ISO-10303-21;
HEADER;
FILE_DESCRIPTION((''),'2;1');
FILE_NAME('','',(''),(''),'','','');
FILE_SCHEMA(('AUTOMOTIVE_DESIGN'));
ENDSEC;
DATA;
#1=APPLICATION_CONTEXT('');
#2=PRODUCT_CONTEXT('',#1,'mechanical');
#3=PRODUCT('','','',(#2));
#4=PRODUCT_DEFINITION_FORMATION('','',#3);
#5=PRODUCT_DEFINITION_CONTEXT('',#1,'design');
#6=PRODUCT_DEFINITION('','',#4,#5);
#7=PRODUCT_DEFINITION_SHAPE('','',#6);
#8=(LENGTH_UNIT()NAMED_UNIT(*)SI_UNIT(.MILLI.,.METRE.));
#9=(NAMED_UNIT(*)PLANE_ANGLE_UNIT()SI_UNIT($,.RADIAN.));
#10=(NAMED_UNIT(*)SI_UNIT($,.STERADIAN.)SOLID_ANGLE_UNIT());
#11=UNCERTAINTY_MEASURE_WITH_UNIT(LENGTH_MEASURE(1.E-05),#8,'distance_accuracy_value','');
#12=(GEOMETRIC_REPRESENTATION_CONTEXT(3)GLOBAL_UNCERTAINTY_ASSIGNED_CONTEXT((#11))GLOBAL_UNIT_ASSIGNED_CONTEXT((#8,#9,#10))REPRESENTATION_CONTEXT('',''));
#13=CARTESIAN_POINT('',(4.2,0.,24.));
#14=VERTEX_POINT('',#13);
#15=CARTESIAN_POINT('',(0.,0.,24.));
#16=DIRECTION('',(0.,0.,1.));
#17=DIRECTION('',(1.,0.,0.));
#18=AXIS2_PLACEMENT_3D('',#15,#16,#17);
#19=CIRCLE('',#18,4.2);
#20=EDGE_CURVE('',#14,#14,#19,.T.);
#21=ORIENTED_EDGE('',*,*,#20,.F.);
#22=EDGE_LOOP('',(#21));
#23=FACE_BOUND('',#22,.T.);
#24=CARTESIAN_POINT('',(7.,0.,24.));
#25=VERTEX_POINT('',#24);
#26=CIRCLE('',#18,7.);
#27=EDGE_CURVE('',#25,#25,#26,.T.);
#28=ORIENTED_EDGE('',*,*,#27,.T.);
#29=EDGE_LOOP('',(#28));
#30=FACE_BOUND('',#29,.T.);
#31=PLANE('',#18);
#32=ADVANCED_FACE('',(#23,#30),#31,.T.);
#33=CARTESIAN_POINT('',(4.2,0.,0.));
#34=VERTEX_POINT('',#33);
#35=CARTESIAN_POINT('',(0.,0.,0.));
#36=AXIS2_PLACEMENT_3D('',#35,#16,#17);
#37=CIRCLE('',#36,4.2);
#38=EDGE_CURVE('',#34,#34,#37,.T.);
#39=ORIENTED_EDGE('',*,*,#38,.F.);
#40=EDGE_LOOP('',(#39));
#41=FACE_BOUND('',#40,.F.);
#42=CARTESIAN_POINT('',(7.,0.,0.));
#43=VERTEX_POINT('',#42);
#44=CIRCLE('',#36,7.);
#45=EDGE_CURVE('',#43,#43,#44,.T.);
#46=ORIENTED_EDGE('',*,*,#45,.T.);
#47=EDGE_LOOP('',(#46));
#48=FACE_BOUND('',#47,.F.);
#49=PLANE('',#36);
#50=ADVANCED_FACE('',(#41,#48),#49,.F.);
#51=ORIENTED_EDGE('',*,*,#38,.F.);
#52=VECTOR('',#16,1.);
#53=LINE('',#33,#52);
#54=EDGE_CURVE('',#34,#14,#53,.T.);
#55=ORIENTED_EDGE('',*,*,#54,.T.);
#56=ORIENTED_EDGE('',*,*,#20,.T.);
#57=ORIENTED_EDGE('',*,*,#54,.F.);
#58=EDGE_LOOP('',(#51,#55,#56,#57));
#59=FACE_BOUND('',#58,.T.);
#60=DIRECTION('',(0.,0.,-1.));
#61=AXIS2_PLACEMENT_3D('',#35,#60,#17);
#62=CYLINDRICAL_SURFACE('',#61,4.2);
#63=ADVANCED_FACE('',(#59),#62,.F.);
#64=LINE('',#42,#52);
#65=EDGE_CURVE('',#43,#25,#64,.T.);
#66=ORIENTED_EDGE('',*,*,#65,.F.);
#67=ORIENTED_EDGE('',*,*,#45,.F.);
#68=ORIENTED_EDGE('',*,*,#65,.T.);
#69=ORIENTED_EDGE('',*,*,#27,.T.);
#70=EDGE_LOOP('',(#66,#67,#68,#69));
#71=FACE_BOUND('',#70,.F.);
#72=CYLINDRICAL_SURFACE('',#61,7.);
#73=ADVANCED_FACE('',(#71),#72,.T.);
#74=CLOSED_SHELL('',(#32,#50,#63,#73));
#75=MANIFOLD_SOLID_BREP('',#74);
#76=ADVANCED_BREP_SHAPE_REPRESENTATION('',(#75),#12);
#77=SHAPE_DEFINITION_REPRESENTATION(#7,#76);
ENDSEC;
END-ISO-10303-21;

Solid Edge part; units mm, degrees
sketch "Sketch1" plane through (0, 0, 0) normal (0, 0, 1) x (1, 0, 0)
  circle A0 centre (0, 0) radius 7
  circle A1 centre (0, 0) radius 4.2
  dimension "D1" = 8.4
  dimension "D2" = 14
extrude "Protrusion1" add sketch "Sketch1" along normal blind 24
